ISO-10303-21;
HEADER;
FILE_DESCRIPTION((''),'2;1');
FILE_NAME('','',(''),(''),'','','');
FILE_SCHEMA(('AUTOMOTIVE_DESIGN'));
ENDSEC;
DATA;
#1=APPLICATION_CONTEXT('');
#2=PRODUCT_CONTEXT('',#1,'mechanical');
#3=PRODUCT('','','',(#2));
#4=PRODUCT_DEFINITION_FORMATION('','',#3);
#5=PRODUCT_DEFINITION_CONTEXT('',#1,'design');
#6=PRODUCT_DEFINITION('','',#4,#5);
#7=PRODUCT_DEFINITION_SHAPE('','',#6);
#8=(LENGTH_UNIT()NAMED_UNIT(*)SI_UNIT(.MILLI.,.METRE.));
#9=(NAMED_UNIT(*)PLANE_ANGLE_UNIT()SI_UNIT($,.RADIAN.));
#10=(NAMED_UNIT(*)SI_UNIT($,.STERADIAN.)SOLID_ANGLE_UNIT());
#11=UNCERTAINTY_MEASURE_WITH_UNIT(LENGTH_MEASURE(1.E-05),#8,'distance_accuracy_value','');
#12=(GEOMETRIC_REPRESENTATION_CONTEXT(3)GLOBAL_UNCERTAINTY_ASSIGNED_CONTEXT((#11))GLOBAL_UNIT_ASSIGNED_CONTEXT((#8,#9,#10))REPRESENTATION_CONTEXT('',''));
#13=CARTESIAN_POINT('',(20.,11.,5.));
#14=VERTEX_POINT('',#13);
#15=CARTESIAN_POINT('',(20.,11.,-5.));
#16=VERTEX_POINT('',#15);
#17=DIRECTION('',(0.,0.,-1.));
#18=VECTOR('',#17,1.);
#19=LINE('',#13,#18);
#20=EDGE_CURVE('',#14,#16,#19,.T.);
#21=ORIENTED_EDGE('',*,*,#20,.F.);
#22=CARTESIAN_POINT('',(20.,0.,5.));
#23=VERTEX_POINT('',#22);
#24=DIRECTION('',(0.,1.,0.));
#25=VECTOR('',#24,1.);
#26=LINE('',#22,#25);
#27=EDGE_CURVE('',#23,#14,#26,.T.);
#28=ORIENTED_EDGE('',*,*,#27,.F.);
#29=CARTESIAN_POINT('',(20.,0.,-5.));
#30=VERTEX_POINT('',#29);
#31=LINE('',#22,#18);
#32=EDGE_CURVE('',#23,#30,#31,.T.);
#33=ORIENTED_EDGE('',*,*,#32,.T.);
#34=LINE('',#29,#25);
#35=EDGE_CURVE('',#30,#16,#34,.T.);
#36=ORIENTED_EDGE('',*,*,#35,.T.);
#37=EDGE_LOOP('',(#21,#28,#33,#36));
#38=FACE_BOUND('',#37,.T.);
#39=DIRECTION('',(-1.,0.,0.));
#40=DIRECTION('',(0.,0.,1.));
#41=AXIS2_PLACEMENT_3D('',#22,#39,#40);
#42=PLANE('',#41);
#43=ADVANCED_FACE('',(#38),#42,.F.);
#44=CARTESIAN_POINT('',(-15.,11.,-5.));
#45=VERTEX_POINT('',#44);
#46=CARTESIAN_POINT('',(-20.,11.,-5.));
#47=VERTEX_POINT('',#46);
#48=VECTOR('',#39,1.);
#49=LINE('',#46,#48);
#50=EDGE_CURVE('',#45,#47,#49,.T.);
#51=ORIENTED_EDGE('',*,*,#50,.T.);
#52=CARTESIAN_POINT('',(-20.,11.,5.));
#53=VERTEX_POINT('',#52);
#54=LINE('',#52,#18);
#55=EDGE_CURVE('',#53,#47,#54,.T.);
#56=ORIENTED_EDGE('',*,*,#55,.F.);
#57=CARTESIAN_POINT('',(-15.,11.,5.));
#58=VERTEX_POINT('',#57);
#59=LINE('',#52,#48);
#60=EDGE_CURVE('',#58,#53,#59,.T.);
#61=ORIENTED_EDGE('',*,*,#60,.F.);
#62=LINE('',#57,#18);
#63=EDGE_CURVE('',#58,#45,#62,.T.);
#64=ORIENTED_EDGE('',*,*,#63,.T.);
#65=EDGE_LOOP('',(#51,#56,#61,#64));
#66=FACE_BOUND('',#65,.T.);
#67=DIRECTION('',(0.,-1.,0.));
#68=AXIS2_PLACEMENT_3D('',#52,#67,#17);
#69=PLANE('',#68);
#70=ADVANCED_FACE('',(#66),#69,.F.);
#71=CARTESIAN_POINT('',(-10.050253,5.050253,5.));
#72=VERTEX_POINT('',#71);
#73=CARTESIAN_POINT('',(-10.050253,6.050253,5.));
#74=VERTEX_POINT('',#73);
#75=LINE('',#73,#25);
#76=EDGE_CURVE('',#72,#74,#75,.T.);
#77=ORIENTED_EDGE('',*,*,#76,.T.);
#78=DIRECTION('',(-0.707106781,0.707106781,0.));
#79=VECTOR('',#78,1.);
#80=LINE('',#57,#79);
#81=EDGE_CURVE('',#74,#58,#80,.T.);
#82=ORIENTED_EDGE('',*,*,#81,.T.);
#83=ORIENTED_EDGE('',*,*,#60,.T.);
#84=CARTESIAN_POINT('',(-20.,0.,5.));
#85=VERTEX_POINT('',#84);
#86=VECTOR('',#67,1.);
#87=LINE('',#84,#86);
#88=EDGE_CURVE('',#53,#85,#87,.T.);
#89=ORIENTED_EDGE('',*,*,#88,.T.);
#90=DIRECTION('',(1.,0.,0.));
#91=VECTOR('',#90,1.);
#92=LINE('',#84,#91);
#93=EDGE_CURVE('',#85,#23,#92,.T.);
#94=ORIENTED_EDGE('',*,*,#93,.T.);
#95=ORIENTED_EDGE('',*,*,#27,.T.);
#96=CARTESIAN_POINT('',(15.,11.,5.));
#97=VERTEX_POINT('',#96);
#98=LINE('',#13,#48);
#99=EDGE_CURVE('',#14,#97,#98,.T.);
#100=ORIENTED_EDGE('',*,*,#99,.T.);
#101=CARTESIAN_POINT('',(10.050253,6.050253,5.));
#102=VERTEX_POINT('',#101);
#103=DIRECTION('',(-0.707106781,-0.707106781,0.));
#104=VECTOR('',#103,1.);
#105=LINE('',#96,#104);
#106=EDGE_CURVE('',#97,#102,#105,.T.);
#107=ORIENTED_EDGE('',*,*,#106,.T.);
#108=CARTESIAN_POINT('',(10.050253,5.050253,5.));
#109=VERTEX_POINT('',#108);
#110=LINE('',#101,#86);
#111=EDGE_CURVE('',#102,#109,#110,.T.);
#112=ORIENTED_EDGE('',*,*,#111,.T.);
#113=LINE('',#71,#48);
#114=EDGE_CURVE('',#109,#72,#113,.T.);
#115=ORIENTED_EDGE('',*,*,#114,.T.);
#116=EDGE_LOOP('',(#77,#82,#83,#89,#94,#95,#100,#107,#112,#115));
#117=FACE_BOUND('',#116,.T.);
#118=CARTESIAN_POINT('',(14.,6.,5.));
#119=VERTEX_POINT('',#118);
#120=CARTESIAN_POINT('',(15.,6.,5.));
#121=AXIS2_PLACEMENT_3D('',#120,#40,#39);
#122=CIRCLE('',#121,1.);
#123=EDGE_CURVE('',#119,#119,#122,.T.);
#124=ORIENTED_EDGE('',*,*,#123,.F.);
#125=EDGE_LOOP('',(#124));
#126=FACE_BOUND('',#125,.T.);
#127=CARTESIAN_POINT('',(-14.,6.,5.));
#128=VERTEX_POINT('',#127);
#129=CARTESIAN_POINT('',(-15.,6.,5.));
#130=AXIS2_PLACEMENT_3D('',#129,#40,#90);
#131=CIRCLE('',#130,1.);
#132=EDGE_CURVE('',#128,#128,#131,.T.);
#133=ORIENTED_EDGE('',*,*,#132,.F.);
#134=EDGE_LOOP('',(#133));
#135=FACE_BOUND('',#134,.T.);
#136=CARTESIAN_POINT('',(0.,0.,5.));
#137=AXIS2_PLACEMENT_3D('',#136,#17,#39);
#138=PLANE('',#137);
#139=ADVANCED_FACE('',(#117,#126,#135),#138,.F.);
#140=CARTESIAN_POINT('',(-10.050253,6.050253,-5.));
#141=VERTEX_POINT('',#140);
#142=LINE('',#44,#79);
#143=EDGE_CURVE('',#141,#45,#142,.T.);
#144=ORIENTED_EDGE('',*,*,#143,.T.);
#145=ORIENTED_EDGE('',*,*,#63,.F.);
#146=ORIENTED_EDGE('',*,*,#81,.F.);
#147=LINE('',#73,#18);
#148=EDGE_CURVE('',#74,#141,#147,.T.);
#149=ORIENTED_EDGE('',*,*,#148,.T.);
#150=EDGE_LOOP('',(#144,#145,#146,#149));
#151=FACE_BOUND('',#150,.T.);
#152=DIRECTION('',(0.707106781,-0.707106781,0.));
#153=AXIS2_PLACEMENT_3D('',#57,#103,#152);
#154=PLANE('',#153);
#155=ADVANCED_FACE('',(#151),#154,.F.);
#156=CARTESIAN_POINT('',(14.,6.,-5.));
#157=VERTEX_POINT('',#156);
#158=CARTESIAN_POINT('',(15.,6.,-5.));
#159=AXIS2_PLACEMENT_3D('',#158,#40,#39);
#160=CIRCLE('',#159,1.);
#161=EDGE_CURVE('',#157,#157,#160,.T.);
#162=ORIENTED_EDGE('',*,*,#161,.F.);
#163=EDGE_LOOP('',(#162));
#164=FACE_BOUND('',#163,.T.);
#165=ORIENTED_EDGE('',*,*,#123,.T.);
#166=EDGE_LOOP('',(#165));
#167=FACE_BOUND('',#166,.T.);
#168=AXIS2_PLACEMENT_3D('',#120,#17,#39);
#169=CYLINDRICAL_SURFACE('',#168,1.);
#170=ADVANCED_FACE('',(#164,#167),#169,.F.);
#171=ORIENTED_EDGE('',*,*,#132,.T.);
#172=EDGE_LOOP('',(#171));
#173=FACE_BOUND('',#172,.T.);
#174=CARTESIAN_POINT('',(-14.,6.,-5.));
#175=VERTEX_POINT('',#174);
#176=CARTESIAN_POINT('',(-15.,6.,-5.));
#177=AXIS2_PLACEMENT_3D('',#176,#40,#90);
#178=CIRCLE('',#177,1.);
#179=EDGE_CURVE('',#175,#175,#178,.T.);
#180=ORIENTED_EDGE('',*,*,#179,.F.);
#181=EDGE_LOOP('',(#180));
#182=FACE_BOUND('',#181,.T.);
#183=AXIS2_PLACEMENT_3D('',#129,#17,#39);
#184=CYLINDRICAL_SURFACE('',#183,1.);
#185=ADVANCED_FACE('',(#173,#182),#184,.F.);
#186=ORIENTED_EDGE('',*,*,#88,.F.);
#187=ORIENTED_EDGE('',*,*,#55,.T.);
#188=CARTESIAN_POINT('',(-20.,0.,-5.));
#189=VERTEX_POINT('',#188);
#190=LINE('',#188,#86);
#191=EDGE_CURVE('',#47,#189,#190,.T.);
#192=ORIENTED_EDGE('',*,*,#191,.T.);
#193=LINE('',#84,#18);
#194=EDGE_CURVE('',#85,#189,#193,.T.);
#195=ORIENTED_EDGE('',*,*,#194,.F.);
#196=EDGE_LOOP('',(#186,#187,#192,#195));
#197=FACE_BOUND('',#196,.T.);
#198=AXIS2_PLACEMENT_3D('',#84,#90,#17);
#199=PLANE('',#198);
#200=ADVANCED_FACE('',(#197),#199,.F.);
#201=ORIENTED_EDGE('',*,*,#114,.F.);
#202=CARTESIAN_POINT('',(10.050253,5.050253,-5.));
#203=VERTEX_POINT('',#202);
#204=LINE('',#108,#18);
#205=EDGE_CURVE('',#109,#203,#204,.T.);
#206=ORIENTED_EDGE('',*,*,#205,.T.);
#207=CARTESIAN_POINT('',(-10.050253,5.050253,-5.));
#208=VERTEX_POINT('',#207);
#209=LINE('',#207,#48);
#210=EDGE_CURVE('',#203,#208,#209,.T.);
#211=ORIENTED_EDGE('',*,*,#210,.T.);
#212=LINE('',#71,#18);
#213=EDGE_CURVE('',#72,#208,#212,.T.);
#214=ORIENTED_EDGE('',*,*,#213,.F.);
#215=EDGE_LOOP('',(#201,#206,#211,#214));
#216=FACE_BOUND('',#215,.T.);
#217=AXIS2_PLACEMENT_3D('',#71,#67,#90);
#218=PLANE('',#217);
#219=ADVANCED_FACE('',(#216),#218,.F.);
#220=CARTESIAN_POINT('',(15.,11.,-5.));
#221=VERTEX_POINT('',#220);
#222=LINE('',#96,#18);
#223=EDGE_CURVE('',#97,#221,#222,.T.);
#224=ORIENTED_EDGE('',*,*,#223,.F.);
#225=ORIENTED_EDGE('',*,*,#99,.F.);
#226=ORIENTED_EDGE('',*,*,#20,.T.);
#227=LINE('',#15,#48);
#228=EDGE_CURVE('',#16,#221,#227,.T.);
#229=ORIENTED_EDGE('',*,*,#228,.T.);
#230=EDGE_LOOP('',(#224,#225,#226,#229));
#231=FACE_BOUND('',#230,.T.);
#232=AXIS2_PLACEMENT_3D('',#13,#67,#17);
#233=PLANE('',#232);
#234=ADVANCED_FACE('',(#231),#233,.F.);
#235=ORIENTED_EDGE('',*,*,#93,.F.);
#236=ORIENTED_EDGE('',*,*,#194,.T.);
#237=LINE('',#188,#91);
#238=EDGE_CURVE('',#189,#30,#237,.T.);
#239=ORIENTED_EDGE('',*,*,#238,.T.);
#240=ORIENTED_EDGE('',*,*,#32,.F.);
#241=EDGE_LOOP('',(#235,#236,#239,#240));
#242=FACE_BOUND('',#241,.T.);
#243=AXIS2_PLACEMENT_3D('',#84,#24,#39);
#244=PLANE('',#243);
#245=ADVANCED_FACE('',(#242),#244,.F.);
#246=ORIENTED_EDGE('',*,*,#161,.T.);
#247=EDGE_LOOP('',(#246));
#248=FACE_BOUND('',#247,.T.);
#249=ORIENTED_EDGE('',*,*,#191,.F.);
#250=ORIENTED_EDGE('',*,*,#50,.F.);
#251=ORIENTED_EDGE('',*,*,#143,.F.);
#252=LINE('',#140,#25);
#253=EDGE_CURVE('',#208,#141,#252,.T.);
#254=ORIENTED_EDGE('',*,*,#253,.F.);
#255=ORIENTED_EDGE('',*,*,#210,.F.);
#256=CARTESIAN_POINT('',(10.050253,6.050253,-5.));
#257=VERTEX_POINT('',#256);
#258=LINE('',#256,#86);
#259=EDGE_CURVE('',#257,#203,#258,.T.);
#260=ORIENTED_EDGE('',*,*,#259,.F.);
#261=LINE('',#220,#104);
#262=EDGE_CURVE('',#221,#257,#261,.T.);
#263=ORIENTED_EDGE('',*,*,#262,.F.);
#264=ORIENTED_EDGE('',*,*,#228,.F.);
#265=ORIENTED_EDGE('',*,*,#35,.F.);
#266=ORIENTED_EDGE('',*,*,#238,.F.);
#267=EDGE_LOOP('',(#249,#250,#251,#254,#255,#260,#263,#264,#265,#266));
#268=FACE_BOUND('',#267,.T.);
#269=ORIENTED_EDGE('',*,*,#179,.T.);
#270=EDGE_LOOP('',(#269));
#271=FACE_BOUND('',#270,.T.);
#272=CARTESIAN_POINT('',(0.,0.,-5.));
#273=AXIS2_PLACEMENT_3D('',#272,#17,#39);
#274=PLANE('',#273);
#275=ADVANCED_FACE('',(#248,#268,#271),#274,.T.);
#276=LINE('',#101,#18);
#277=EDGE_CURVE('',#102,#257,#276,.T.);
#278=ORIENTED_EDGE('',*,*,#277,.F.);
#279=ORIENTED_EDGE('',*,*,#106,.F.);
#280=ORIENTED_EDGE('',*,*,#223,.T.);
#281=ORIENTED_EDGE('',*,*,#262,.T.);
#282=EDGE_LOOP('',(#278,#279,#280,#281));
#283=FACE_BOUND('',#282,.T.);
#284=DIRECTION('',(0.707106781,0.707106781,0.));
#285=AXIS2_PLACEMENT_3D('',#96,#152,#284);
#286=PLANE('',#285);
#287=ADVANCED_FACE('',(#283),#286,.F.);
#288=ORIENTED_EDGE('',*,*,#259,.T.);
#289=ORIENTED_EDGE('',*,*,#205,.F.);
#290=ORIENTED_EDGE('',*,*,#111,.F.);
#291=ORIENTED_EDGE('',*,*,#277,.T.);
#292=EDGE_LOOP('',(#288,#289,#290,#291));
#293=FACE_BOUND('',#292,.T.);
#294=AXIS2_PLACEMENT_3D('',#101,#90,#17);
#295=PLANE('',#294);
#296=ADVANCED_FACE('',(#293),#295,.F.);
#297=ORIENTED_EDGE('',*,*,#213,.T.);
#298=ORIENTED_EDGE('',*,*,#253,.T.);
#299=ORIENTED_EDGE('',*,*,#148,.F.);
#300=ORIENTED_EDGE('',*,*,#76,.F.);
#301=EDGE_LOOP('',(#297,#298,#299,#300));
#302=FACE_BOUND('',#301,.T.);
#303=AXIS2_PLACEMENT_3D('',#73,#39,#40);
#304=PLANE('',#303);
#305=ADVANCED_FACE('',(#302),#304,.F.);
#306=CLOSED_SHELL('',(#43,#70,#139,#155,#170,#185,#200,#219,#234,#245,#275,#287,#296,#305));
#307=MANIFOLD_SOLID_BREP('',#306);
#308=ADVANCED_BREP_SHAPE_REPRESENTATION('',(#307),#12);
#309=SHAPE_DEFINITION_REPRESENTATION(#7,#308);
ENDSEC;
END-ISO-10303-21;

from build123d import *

# Parameters (mm, degrees)
SKETCH1_R           = 1
BOSS_EXTRUDE1_DEPTH = 5


with BuildPart() as part:
    # Sketch1 → Boss-Extrude1 (new, symmetric)
    with BuildSketch(Plane.XY):
        Polygon((-20, 0), (20, 0), (20, 11), (15, 11), (10.050252532, 6.050252532), (10.050252532, 5.050252532), (-10.050252532, 5.050252532), (-10.050252532, 6.050252532), (-15, 11), (-20, 11), align=None)
        with Locations((-15, 6)):
            Circle(SKETCH1_R, mode=Mode.SUBTRACT)
        with Locations(Location((15, 6, 0), (0, 0, 180))):
            Circle(SKETCH1_R, mode=Mode.SUBTRACT)
    extrude(amount=BOSS_EXTRUDE1_DEPTH, both=True)


solid = part.part
